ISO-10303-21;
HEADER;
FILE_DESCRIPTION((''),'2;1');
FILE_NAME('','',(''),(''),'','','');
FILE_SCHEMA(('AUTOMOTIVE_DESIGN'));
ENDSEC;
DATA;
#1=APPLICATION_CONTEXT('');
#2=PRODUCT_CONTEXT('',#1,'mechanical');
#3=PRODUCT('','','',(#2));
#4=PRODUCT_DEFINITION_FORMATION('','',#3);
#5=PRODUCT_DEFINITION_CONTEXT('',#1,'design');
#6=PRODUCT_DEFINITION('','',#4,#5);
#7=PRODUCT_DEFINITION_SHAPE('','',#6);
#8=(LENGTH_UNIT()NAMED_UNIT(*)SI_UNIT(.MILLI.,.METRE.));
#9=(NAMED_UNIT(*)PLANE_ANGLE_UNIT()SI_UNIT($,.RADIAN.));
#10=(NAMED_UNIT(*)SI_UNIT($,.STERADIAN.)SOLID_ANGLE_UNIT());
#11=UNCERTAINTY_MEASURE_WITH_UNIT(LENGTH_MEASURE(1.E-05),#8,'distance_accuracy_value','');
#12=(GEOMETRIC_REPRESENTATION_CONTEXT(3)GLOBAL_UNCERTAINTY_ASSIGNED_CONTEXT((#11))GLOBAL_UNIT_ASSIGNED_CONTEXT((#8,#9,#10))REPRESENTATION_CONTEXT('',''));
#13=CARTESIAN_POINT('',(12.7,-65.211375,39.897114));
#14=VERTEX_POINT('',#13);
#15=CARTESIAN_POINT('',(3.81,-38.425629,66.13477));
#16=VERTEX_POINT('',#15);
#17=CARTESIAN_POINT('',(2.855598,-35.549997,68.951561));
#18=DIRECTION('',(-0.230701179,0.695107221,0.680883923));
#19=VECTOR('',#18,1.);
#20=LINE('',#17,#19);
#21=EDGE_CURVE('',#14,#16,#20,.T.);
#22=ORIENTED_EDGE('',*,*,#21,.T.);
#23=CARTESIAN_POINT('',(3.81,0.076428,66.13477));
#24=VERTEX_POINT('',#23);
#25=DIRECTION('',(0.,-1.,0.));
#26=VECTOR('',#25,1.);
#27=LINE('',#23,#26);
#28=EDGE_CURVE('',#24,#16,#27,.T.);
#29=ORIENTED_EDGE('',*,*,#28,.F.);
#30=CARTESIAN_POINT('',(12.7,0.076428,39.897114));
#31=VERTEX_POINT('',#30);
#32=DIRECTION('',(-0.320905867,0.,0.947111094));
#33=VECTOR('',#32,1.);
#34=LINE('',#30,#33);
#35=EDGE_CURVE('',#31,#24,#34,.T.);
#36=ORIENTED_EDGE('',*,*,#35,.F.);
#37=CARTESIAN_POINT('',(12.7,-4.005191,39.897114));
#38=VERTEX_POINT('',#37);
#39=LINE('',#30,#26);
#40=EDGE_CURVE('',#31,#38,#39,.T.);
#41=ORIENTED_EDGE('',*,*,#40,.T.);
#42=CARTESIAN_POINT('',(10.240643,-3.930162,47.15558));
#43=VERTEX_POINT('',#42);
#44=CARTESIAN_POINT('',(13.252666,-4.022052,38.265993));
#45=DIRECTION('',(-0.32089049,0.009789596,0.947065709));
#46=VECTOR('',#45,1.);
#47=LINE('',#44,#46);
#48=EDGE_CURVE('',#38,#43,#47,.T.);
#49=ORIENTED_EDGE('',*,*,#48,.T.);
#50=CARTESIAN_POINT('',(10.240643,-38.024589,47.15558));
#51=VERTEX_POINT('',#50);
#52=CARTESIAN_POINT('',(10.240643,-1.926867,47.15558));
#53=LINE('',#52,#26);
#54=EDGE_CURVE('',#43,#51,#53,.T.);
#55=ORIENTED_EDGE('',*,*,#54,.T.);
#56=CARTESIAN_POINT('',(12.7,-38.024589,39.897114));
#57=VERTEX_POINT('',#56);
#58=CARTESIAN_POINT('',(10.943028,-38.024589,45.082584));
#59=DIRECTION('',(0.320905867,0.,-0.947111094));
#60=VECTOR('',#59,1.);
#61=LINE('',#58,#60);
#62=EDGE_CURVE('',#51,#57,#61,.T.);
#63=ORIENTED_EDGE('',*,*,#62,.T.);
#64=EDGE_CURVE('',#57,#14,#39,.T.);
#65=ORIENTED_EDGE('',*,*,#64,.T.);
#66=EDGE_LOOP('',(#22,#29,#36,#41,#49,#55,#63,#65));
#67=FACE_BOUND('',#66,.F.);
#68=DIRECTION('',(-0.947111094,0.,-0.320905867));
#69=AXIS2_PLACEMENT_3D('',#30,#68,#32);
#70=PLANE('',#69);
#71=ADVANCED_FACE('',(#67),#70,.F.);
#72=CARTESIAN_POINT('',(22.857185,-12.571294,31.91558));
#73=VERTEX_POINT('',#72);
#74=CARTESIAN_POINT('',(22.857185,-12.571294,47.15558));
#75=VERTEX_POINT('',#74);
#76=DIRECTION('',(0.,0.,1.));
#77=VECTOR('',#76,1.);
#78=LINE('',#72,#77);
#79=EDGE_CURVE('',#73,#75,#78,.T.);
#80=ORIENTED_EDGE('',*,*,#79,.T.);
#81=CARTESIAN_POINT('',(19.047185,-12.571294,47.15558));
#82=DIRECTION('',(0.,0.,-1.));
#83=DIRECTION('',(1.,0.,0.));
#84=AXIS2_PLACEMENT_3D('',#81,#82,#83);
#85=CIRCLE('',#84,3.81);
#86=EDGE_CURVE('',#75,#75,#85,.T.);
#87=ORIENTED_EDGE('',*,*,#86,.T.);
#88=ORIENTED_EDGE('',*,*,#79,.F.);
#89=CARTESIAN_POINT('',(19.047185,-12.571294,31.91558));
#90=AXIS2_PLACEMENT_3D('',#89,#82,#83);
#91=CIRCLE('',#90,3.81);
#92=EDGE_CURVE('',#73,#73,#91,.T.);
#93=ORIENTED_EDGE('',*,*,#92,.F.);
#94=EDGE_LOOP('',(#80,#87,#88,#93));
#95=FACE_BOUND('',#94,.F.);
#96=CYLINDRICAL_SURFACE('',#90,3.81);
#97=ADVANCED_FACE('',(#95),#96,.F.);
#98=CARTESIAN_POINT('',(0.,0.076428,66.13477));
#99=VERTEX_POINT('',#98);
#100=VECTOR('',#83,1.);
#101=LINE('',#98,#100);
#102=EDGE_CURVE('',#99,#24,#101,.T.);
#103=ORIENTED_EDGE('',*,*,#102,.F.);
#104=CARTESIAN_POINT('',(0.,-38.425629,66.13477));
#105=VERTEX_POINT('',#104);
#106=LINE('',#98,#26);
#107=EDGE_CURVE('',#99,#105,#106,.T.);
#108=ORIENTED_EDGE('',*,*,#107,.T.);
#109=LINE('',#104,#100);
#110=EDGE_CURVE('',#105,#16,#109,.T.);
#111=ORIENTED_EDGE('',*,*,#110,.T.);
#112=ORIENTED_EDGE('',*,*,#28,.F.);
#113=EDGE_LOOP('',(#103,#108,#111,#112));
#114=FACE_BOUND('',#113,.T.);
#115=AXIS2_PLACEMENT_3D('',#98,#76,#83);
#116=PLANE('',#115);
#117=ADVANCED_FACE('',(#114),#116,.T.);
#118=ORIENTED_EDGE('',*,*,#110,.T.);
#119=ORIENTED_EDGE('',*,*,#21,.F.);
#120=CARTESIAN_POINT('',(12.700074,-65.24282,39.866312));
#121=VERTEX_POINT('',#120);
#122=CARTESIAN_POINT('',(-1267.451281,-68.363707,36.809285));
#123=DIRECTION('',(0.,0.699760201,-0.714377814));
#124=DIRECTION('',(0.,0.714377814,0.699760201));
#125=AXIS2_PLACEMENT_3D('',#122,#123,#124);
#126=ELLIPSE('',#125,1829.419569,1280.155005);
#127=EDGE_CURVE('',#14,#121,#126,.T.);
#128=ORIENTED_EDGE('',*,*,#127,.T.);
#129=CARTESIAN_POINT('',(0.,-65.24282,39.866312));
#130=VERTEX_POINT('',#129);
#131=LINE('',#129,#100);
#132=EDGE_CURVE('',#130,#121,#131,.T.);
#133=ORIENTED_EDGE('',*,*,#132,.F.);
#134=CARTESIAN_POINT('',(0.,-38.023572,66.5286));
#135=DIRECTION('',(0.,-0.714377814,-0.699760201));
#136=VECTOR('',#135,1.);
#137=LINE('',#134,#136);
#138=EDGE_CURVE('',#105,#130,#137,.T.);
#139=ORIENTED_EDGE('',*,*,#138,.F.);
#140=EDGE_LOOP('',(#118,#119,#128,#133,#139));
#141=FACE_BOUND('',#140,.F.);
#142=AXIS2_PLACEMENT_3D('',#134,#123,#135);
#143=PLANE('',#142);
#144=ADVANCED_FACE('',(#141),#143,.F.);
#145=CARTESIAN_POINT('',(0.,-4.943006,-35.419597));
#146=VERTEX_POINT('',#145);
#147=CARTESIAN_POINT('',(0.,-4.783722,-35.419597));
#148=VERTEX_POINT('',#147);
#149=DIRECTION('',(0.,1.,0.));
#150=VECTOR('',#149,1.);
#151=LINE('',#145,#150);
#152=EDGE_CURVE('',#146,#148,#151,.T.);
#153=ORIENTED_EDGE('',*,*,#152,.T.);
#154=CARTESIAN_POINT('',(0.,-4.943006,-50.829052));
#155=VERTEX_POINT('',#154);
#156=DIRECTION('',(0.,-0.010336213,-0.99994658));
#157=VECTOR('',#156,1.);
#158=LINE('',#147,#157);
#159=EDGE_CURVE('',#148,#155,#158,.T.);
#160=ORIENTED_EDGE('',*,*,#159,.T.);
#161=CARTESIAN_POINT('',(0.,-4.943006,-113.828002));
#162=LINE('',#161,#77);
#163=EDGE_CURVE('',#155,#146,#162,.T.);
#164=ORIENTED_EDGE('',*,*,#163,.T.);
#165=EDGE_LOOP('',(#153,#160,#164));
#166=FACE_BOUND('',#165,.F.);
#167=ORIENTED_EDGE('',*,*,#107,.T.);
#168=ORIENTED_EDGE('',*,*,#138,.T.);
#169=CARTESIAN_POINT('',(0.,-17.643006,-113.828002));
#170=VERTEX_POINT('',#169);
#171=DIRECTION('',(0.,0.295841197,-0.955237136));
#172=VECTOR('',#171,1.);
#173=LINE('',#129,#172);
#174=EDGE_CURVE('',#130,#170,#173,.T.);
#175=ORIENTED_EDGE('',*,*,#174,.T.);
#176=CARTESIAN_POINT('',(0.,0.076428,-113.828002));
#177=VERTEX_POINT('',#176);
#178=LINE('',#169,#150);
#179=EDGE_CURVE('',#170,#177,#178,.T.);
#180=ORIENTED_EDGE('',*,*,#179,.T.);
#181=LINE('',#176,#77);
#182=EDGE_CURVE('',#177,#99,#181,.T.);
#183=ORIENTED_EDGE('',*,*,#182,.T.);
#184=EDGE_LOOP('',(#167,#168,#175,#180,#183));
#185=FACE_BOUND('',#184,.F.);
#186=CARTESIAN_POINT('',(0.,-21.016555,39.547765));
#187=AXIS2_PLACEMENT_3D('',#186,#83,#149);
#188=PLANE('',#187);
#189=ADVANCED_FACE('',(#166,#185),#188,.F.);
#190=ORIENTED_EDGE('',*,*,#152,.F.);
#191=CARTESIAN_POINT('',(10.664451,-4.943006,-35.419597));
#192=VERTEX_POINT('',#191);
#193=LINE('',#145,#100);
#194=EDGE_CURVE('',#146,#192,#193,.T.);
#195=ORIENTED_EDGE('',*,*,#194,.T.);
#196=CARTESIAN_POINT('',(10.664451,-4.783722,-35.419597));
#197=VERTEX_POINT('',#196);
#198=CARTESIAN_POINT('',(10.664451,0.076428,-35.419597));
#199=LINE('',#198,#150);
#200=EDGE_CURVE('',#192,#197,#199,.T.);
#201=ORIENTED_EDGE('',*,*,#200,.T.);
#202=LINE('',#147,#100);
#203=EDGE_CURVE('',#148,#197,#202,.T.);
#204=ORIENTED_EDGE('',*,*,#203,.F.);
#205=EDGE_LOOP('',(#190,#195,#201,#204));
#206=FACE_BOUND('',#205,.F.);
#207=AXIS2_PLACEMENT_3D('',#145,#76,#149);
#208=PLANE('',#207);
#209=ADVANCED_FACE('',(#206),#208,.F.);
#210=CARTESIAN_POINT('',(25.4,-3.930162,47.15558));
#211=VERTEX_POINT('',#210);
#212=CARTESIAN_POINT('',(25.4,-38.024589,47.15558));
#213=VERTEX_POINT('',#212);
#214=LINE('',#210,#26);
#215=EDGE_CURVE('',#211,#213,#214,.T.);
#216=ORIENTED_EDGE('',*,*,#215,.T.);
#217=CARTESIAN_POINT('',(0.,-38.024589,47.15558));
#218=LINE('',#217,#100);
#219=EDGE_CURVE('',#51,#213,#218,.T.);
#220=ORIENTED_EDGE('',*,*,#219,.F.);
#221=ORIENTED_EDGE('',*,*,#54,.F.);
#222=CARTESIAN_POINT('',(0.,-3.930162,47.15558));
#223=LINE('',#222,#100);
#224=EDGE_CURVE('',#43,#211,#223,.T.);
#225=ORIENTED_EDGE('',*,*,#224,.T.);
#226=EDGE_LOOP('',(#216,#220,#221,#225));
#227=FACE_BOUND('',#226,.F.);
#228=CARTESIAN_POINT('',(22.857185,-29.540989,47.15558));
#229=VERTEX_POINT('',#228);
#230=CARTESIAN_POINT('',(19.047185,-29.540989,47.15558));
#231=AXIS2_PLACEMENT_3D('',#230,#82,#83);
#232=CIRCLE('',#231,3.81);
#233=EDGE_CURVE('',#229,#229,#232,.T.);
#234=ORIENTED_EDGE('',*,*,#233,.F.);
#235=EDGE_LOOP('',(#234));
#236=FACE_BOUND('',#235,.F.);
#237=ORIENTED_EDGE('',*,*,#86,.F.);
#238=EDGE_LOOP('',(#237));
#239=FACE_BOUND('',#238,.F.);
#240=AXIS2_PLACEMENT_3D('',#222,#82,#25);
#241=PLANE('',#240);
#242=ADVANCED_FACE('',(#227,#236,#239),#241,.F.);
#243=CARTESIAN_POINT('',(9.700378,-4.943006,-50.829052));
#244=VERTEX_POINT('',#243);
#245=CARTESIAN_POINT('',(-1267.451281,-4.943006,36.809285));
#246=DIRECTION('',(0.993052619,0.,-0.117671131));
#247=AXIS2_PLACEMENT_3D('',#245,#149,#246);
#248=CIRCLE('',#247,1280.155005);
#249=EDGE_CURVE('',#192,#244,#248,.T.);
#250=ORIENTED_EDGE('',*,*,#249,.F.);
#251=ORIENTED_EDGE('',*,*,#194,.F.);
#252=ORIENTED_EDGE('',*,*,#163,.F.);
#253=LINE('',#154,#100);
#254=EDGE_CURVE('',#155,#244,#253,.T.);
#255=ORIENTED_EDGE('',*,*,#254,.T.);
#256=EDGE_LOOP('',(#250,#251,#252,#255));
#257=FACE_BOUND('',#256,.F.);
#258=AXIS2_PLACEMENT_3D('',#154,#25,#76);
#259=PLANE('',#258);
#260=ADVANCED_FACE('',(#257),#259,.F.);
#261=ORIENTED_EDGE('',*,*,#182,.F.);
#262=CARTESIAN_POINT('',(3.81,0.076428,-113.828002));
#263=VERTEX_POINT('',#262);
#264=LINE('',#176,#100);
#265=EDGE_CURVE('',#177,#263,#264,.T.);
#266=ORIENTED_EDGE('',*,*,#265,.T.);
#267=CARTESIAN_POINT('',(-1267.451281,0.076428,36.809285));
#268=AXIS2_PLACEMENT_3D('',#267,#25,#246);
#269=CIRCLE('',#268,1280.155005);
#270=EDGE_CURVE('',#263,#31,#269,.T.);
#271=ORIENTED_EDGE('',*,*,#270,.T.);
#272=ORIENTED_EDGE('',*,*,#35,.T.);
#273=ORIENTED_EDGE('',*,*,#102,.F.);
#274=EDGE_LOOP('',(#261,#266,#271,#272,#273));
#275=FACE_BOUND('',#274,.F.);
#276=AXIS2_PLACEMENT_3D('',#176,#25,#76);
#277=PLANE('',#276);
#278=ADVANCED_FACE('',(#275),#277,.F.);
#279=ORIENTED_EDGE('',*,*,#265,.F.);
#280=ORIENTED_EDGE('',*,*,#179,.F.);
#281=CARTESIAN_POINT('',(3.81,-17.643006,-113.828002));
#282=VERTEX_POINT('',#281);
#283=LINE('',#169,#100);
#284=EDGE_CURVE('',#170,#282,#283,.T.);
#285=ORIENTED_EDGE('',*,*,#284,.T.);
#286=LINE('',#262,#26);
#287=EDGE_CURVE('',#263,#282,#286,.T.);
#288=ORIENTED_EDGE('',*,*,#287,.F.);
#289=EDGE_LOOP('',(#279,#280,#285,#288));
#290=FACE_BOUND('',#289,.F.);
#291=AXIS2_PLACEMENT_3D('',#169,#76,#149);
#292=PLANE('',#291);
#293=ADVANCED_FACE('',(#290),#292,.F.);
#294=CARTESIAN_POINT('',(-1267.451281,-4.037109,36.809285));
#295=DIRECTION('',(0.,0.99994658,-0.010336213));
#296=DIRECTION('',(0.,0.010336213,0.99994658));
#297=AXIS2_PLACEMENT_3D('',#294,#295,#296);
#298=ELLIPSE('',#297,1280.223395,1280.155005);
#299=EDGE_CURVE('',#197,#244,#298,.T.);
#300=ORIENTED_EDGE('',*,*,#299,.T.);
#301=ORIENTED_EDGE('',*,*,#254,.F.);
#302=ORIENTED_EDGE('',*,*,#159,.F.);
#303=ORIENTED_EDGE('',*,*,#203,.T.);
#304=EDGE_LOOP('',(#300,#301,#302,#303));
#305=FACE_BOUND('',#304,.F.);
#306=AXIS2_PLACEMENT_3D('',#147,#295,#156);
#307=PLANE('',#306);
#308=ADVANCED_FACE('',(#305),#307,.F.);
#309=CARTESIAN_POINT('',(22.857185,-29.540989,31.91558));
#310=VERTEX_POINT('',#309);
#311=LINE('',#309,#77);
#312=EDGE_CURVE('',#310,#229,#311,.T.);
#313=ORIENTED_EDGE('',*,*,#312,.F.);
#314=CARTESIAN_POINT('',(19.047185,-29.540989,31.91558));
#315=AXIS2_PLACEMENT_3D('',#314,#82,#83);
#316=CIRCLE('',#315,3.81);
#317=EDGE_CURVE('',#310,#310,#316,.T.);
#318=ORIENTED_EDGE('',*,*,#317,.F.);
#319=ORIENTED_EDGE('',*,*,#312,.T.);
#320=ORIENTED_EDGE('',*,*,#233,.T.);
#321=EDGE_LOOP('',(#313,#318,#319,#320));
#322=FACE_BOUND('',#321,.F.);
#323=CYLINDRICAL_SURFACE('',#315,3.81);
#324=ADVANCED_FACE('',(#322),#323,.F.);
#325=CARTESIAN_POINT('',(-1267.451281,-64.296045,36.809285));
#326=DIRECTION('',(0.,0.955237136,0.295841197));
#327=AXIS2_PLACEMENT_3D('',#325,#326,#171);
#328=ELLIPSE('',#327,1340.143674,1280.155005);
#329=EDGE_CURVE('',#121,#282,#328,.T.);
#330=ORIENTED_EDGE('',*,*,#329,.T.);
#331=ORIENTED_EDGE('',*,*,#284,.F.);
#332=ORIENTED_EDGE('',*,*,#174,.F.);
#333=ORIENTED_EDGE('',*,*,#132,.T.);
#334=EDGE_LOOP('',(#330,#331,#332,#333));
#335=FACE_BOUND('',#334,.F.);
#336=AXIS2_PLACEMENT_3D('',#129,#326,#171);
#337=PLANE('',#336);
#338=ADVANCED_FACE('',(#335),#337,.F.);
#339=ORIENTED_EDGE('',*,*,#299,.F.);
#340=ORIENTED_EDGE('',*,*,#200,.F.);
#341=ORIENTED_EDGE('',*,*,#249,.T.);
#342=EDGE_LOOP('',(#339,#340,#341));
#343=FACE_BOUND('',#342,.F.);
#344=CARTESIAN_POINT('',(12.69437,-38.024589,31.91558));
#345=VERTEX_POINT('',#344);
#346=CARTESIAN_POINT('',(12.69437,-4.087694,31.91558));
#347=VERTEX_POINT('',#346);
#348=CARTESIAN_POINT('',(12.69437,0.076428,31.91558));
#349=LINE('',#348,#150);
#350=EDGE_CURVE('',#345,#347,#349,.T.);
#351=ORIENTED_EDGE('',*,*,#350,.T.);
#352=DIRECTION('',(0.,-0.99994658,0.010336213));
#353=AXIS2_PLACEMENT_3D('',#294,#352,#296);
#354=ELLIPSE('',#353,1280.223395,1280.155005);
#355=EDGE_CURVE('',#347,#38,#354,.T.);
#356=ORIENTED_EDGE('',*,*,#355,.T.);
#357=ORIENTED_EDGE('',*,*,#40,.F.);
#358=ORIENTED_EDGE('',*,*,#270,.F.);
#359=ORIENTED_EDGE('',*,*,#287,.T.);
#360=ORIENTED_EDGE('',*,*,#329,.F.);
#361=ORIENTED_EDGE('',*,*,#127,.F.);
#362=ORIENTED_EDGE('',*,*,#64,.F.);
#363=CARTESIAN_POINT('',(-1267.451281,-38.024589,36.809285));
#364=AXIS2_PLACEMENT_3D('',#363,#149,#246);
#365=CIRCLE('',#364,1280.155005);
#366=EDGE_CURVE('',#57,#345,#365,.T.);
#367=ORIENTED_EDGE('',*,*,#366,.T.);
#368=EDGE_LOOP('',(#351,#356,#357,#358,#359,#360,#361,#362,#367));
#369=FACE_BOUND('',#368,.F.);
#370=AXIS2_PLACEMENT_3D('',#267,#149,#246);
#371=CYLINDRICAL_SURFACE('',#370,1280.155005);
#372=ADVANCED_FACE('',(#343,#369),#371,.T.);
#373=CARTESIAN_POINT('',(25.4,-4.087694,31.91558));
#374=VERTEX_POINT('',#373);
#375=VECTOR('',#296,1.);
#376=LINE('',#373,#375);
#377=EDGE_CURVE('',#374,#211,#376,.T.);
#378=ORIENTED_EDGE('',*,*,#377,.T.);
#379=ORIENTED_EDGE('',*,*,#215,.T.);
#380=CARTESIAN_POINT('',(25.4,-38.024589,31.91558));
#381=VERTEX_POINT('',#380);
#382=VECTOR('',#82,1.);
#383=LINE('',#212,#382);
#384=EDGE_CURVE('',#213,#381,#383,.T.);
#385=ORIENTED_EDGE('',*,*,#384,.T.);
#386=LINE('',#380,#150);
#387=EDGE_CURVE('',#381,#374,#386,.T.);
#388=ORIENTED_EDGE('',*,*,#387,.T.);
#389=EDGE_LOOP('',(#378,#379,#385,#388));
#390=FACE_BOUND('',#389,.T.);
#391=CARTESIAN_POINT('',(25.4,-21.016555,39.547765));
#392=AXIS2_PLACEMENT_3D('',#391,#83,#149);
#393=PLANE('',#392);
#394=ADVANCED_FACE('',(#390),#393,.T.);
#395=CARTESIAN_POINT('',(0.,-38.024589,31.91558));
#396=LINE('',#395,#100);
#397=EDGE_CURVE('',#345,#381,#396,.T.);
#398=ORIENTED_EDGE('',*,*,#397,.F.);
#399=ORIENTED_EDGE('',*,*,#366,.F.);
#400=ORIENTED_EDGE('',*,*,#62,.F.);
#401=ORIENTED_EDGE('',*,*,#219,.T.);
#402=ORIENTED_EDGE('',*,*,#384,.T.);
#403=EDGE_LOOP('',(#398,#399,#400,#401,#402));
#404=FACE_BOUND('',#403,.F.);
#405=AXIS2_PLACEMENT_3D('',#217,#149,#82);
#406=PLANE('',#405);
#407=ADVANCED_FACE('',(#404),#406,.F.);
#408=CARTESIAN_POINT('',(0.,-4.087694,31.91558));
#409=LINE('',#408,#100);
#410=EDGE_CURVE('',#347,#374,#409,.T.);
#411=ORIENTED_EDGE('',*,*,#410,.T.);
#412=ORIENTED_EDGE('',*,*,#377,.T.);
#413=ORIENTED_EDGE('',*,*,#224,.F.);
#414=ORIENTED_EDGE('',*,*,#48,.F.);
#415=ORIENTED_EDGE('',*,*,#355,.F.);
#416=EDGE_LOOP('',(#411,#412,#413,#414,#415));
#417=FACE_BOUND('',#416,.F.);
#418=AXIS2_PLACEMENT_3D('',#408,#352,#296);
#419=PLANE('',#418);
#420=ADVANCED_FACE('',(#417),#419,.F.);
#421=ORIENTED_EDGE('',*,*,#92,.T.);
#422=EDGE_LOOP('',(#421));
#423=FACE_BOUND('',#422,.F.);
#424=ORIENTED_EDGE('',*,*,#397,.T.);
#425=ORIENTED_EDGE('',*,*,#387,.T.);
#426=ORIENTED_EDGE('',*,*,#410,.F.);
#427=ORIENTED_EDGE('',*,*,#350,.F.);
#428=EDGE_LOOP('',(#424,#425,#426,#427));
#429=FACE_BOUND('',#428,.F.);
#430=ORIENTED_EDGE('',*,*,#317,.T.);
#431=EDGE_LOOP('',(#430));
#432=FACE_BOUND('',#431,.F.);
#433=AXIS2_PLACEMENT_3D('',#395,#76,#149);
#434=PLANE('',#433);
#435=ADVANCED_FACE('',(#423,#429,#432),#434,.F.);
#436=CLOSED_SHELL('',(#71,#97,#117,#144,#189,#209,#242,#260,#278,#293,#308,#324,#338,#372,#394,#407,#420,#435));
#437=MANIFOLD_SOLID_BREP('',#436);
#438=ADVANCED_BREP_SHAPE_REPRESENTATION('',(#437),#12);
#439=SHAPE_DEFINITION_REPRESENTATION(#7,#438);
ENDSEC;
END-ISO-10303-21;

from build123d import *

# Parameters (mm, degrees)
F1_DEPTH   = 25.4
F3_DEPTH   = 25.4
F1_FACE1_W = 25.4
F1_FACE1_H = 38.1020354138
F4_DEPTH   = 76.2
F5_DEPTH   = 25.4
F6_R       = 3.81
F7_DEPTH   = 25.4


with BuildPart() as f1:
    # F0 (on Right) → F1 (new body)
    with BuildSketch(Plane.YZ):
        Polygon((-3.7335716031, 66.174152714), (-38.0235716031, 66.5286004045), (-65.2428203725, 39.8663124475), (-17.6430062947, -113.8280024187), (-4.9430062947, -113.8280024187), (-4.9430062947, -50.8290516523), (-4.9430062947, -35.4195966316), (-4.783722371, -35.4195966316), (-4.0876944394, 31.9155797899), (-38.02458931, 31.9155797899), (-38.02458931, 47.1555797899), (-3.9301621325, 47.1555797899), align=None)
        Polygon((0.0764283969, 31.9155797899), (-4.0876944394, 31.9155797899), (-4.783722371, -35.4195966316), (0.0764283969, -35.4195966316), align=None)
        Polygon((-4.9430062947, -50.8290516523), (-4.9430062947, -113.8280024187), (0.0764283969, -113.8280024187), (0.0764283969, -35.4195966316), (-4.783722371, -35.4195966316), align=None)
        Polygon((0.0764283969, 66.1347696372), (-3.7335716031, 66.174152714), (-3.9301621325, 47.1555797899), (0.0764283969, 47.1555797899), align=None)
        Polygon((0.0764283969, 47.1555797899), (-3.9301621325, 47.1555797899), (-4.0876944394, 31.9155797899), (0.0764283969, 31.9155797899), align=None)
    extrude(amount=F1_DEPTH)

    # F0 (on Right) → F3 (join)
    with BuildSketch(Plane.YZ):
        Polygon((-4.0876944394, 31.9155797899), (-3.9301621325, 47.1555797899), (-38.02458931, 47.1555797899), (-38.02458931, 31.9155797899), align=None)
    extrude(amount=F3_DEPTH)

    # F2 (on face) + F1_face1 (on face) → F4 (cut)
    with BuildSketch(Plane(origin=(0, 0.0764283969, 0), x_dir=(-1, 0, 0), z_dir=(0, 1, 0))):
        Polygon((-12.7, 55.3310290966), (-3.81, 66.1347696372), (-12.7, 66.1347696372), align=None)
        with BuildLine():
            ThreePointArc((-12.7, -113.8280024187), (-22.1716577551, -37.2233399355), (-25.4, 39.8971140385))
            Line((-25.4, 39.8971140385), (-25.4, -113.8280024187))
            Line((-25.4, -113.8280024187), (-12.7, -113.8280024187))
        make_face()
        Polygon((-12.7, 55.3310290966), (-12.7, 66.1347696372), (-25.4, 66.1347696372), (-25.4, 39.8971140385), align=None)
        Polygon((-12.7, 39.8971140385), (-3.81, 66.1347696372), (-12.7, 55.3310290966), align=None)
        Polygon((-25.4, 39.8971140385), (-12.7, 39.8971140385), (-12.7, 55.3310290966), align=None)
        with BuildLine():
            ThreePointArc((-3.81, -113.8280024187), (-10.5684247316, -37.0992306938), (-12.7, 39.8971140385))
            Line((-12.7, 39.8971140385), (-25.4, 39.8971140385))
            ThreePointArc((-25.4, 39.8971140385), (-22.1716577551, -37.2233399355), (-12.7, -113.8280024187))
            Line((-12.7, -113.8280024187), (-3.81, -113.8280024187))
        make_face()
    with BuildSketch(Plane(origin=(12.7, -18.9735716031, 66.3316850209), x_dir=(1, 0, 0), z_dir=(0, 0.0103362134, 0.9999465799))):
        Rectangle(F1_FACE1_W, F1_FACE1_H)
    extrude(amount=-F4_DEPTH, dir=(0, 1, 0), mode=Mode.SUBTRACT)

    # F0 (on Right) → F5 (join)
    with BuildSketch(Plane.YZ):
        Polygon((-4.0876944394, 31.9155797899), (-3.9301621325, 47.1555797899), (-38.02458931, 47.1555797899), (-38.02458931, 31.9155797899), align=None)
    extrude(amount=F5_DEPTH)

    # F6 (on face) → F7 (cut)
    with BuildSketch(Plane(origin=(0, 0, 31.9155797899), x_dir=(1, 0, 0), z_dir=(0, 0, -1))):
        with Locations((19.0471851579, 12.5712944394)):
            Circle(F6_R)
        with Locations((19.0471851579, 29.54098931)):
            Circle(F6_R)
    extrude(amount=-F7_DEPTH, mode=Mode.SUBTRACT)


solid = f1.part
